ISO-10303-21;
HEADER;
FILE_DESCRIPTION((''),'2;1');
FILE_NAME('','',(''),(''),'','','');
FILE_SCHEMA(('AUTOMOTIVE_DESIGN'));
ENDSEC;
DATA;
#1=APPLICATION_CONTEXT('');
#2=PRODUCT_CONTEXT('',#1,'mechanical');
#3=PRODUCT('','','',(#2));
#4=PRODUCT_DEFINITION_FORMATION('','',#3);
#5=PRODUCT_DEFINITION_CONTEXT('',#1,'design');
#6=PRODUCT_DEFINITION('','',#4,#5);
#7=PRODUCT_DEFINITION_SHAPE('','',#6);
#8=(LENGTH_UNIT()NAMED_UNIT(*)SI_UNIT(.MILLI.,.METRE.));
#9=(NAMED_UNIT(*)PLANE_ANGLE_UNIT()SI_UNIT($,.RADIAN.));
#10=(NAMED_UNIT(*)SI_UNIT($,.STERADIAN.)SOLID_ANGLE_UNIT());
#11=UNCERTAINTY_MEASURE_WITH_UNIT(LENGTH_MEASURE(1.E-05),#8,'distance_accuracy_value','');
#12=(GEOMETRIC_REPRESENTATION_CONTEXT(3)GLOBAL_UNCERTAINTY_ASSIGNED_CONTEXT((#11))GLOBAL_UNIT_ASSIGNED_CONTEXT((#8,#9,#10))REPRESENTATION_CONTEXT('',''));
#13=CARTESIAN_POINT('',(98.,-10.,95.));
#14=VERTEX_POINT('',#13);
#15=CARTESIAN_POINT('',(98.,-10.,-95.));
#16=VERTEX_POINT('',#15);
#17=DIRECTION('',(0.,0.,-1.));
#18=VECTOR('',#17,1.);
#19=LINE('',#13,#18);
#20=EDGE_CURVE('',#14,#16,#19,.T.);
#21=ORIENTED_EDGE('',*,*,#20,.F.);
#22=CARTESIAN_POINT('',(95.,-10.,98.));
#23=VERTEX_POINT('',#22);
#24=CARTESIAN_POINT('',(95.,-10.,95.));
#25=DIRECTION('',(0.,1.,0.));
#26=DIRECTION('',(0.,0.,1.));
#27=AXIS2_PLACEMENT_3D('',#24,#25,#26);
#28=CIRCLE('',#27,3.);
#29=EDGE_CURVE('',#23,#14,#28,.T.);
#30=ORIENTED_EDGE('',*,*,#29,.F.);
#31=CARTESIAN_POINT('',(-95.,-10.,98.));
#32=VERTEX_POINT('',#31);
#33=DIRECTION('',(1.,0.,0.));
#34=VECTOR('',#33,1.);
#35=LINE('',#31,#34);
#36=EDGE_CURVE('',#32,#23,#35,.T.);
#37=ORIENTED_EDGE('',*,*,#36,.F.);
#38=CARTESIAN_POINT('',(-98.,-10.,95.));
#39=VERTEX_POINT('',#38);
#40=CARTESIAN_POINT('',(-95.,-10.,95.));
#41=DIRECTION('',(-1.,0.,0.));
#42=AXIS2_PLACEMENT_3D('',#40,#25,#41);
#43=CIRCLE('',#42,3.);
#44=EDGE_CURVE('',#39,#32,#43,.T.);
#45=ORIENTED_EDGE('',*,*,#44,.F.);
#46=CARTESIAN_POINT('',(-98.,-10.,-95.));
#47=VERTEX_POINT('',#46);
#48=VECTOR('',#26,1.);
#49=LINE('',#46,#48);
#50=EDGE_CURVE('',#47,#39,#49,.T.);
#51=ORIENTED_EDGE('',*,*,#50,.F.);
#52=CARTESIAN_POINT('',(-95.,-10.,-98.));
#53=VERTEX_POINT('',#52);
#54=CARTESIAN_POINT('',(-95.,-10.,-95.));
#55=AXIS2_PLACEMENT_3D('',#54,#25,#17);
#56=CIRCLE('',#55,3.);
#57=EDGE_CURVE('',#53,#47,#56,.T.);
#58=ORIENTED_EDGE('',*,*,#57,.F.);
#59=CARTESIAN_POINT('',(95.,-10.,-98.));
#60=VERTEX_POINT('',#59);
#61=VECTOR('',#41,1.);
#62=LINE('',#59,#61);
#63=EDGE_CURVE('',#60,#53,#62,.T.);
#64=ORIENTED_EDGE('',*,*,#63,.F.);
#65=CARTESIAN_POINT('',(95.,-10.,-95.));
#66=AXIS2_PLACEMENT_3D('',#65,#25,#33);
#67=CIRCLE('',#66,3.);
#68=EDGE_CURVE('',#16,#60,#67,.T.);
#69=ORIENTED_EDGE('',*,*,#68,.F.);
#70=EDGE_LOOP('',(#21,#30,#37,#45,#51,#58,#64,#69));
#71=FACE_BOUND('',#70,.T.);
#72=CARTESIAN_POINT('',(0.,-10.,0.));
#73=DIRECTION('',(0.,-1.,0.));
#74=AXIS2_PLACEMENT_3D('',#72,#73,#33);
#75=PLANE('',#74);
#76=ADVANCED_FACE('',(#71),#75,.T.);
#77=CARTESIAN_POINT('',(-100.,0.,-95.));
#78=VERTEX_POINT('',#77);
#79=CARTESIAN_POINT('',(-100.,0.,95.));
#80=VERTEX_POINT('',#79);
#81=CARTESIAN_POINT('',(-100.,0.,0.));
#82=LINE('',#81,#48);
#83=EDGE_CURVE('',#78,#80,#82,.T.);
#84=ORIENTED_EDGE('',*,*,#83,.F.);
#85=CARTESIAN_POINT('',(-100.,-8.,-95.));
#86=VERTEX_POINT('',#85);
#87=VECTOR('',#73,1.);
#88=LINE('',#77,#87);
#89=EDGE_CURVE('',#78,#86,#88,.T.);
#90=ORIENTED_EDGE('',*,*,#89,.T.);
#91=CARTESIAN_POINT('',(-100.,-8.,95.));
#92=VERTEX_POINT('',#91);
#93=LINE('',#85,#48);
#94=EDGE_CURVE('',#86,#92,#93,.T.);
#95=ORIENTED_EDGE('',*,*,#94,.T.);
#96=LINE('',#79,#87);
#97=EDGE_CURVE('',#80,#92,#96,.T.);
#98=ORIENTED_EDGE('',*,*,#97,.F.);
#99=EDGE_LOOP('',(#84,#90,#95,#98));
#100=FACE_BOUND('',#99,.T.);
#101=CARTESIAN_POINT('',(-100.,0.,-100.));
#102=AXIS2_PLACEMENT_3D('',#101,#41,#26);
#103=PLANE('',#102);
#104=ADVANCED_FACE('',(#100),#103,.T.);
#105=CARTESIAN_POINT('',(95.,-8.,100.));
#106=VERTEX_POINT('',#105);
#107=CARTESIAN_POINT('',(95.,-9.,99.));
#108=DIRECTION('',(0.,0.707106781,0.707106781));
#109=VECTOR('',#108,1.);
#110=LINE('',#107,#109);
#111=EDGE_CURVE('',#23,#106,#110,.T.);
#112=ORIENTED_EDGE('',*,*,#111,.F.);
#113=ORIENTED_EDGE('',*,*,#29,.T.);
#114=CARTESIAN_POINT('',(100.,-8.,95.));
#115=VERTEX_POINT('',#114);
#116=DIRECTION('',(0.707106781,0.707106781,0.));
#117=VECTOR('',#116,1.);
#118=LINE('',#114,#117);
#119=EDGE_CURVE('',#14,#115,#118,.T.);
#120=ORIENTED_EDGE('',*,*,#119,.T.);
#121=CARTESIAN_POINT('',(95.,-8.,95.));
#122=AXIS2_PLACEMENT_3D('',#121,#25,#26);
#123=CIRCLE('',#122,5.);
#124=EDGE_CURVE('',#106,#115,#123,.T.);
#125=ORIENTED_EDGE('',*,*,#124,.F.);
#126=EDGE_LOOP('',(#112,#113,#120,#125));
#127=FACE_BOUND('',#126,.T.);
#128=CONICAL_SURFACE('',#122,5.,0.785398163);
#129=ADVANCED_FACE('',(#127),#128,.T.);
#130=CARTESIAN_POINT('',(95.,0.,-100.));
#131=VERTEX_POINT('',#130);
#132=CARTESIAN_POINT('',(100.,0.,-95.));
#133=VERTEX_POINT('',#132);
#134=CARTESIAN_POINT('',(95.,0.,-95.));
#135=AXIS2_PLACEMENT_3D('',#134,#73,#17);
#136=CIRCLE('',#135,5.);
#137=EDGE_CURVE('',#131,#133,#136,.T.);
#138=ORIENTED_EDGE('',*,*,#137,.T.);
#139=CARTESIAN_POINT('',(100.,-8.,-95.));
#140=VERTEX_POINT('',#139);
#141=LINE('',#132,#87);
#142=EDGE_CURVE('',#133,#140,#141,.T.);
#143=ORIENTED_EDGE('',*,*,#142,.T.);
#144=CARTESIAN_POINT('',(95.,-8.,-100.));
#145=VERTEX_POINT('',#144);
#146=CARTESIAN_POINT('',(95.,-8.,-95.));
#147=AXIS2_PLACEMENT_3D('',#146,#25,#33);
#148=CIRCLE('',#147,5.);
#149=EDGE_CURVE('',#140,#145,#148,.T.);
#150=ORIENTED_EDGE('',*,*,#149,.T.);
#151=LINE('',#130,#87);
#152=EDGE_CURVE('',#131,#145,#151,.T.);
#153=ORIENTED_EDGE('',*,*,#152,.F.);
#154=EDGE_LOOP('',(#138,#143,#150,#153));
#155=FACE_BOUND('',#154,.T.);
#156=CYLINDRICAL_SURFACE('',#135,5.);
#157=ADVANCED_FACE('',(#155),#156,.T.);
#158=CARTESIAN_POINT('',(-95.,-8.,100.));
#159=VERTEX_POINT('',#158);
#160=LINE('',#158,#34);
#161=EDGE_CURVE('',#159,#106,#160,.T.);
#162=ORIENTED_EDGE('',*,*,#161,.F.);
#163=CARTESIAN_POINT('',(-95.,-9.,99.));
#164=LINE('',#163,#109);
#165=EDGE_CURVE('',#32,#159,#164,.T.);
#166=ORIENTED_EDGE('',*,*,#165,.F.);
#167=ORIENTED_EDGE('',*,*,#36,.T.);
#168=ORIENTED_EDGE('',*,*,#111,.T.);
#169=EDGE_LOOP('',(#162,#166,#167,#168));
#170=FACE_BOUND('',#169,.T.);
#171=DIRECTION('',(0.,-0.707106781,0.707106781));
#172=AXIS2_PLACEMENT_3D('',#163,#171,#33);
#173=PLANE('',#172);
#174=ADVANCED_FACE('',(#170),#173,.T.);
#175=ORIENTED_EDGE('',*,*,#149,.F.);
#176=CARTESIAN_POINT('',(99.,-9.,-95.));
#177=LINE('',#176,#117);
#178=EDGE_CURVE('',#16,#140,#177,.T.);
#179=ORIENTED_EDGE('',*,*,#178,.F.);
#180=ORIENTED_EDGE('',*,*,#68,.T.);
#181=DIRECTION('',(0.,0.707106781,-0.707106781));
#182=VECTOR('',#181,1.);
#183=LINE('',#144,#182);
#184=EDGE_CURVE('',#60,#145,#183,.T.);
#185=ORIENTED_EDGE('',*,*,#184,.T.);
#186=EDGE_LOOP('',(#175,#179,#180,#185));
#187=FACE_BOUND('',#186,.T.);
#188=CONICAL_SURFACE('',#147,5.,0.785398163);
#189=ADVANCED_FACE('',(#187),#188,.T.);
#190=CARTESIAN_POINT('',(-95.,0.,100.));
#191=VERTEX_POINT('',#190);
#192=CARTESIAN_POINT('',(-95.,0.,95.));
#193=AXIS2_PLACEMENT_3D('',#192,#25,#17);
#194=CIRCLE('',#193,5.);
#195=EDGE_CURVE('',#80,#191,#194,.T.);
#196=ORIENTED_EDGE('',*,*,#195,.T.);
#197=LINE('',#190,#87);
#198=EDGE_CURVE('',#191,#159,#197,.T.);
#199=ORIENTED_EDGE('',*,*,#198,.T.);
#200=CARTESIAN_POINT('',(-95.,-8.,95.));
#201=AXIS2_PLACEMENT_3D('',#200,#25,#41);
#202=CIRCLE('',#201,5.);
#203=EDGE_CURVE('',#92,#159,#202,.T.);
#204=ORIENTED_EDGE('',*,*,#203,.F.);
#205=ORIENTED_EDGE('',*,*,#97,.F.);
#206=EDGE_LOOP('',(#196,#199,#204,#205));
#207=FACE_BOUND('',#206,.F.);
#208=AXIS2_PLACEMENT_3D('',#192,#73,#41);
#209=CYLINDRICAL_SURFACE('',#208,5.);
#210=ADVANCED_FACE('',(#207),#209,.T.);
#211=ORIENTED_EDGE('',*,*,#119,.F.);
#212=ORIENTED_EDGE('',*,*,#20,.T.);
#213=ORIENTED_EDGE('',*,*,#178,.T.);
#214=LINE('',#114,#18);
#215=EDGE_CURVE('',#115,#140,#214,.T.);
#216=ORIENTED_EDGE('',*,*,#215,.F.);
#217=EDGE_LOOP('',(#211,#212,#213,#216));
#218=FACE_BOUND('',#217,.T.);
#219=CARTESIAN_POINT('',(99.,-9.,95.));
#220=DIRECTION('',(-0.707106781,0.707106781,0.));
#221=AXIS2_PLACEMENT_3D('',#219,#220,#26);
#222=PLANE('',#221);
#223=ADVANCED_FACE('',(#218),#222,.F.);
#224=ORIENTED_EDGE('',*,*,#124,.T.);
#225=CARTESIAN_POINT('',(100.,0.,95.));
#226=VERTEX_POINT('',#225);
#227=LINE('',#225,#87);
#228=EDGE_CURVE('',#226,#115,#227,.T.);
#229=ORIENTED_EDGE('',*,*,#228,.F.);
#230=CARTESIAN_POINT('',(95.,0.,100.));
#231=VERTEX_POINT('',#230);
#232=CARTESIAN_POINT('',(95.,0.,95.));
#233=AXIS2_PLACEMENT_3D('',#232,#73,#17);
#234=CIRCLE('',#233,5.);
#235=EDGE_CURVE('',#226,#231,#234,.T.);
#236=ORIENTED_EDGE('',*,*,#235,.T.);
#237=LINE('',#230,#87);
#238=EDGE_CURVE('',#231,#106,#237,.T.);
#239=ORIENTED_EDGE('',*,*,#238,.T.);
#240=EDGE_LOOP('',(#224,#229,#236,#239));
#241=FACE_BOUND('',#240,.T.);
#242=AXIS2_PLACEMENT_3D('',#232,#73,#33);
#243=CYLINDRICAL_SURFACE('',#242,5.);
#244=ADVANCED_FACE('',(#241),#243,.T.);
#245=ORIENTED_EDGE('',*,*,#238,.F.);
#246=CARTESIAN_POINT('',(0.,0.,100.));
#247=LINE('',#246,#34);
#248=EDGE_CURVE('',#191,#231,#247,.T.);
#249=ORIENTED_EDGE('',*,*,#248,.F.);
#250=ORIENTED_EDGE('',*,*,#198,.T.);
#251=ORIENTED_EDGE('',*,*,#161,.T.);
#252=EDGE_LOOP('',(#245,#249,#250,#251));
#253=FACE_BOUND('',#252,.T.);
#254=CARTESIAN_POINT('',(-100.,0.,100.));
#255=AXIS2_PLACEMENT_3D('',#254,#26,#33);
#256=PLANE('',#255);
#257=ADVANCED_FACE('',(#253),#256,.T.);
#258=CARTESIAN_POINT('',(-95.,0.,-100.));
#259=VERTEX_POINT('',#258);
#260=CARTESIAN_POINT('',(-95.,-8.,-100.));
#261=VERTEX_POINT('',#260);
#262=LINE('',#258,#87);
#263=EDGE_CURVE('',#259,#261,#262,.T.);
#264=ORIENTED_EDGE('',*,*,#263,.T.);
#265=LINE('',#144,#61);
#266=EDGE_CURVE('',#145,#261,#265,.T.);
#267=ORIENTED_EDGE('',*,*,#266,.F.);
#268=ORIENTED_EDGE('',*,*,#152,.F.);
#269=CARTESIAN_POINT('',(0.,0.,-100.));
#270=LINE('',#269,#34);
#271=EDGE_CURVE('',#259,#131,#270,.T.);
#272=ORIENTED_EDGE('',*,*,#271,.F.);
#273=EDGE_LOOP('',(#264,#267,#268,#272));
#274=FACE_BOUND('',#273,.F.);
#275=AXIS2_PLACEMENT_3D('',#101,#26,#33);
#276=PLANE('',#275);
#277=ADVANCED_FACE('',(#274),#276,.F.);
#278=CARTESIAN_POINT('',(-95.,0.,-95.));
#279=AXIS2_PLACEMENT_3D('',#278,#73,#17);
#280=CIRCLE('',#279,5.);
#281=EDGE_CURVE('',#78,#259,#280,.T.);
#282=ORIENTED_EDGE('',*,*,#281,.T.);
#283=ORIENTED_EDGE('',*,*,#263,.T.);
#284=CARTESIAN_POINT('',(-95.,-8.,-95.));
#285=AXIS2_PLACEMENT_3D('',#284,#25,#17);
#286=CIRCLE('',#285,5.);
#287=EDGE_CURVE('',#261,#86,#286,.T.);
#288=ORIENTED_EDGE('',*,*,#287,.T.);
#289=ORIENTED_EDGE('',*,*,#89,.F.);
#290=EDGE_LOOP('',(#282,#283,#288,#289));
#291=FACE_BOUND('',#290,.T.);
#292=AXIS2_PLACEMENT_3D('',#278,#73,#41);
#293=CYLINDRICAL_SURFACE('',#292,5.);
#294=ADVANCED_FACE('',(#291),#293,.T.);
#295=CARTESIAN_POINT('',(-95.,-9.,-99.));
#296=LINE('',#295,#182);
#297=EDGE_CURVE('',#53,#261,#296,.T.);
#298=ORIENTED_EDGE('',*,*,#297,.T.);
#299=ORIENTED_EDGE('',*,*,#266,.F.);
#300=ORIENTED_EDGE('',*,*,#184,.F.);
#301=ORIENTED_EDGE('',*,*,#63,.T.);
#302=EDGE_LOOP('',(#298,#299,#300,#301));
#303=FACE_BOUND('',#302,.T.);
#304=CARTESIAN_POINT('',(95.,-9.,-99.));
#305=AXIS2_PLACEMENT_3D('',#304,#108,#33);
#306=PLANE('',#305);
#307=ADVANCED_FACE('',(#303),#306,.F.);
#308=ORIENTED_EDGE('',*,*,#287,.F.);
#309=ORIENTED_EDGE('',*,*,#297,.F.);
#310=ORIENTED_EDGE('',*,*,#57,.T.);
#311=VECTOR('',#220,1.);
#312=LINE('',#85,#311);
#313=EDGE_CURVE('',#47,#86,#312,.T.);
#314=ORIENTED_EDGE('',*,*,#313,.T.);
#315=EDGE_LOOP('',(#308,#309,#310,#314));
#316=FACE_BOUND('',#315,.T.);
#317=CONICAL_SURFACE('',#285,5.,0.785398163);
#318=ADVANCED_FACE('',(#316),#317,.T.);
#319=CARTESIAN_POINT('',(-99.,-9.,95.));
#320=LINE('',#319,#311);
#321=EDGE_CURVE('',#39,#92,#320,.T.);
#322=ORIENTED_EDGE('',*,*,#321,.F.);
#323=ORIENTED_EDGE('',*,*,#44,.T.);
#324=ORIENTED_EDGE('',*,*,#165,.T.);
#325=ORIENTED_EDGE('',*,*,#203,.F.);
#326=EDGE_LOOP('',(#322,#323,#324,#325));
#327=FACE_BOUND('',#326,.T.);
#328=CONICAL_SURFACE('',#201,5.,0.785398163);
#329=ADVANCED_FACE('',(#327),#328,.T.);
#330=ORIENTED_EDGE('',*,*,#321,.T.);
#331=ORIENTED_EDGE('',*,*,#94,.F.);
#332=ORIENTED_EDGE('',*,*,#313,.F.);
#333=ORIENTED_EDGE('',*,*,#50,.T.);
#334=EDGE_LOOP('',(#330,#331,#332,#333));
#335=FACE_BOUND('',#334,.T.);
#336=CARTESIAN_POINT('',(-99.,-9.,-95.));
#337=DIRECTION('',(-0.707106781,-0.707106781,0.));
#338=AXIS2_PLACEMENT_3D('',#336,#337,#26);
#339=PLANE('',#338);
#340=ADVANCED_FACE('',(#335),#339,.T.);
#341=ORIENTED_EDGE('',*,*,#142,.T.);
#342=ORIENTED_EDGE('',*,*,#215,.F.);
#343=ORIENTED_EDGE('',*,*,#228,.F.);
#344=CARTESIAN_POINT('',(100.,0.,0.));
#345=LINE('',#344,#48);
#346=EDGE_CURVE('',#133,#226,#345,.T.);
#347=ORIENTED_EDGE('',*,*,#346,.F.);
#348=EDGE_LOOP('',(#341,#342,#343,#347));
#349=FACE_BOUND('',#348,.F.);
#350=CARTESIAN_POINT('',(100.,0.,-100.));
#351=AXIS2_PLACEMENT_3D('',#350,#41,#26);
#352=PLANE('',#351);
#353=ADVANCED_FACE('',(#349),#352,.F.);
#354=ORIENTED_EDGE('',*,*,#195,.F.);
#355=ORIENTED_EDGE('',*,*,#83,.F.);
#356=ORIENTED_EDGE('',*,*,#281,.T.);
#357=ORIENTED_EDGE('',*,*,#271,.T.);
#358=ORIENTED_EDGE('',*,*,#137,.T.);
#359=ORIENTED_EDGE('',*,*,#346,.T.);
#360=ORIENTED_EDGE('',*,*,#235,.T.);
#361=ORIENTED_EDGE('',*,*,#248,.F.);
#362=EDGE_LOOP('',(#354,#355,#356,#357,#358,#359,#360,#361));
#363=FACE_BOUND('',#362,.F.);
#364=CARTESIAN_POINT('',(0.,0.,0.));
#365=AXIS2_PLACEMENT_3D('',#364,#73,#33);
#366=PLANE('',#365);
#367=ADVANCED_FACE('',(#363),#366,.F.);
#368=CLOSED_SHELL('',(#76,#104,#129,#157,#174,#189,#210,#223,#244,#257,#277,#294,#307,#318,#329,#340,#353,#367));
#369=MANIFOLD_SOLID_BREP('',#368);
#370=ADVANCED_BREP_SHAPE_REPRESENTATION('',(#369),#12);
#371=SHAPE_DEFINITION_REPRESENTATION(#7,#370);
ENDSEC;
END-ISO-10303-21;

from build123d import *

# Parameters (mm, degrees)
F0_W     = 200
F0_H     = 200
F1_DEPTH = 10
F2_R     = 5
F3_SIZE  = 2


with BuildPart() as f1:
    # F0 (on Front) → F1 (new body)
    with BuildSketch(Plane.XZ):
        Rectangle(F0_W, F0_H)
    extrude(amount=F1_DEPTH)

    # F2
    f2_edges = [f1.edges().sort_by_distance(p)[0] for p in [
        (100, -5, -100),
        (-100, -5, -100),
        (-100, -5, 100),
        (100, -5, 100),
    ]]
    fillet(f2_edges, radius=F2_R)

    # F3
    f3_edges = [f1.edges().sort_by_distance(p)[0] for p in [
        (0, -10, 100),
        (98.535534, -10, 98.535534),
        (-98.535534, -10, 98.535534),
        (100, -10, 0),
        (-100, -10, 0),
        (98.535534, -10, -98.535534),
        (-98.535534, -10, -98.535534),
        (0, -10, -100),
    ]]
    chamfer(f3_edges, length=F3_SIZE)


solid = f1.part
